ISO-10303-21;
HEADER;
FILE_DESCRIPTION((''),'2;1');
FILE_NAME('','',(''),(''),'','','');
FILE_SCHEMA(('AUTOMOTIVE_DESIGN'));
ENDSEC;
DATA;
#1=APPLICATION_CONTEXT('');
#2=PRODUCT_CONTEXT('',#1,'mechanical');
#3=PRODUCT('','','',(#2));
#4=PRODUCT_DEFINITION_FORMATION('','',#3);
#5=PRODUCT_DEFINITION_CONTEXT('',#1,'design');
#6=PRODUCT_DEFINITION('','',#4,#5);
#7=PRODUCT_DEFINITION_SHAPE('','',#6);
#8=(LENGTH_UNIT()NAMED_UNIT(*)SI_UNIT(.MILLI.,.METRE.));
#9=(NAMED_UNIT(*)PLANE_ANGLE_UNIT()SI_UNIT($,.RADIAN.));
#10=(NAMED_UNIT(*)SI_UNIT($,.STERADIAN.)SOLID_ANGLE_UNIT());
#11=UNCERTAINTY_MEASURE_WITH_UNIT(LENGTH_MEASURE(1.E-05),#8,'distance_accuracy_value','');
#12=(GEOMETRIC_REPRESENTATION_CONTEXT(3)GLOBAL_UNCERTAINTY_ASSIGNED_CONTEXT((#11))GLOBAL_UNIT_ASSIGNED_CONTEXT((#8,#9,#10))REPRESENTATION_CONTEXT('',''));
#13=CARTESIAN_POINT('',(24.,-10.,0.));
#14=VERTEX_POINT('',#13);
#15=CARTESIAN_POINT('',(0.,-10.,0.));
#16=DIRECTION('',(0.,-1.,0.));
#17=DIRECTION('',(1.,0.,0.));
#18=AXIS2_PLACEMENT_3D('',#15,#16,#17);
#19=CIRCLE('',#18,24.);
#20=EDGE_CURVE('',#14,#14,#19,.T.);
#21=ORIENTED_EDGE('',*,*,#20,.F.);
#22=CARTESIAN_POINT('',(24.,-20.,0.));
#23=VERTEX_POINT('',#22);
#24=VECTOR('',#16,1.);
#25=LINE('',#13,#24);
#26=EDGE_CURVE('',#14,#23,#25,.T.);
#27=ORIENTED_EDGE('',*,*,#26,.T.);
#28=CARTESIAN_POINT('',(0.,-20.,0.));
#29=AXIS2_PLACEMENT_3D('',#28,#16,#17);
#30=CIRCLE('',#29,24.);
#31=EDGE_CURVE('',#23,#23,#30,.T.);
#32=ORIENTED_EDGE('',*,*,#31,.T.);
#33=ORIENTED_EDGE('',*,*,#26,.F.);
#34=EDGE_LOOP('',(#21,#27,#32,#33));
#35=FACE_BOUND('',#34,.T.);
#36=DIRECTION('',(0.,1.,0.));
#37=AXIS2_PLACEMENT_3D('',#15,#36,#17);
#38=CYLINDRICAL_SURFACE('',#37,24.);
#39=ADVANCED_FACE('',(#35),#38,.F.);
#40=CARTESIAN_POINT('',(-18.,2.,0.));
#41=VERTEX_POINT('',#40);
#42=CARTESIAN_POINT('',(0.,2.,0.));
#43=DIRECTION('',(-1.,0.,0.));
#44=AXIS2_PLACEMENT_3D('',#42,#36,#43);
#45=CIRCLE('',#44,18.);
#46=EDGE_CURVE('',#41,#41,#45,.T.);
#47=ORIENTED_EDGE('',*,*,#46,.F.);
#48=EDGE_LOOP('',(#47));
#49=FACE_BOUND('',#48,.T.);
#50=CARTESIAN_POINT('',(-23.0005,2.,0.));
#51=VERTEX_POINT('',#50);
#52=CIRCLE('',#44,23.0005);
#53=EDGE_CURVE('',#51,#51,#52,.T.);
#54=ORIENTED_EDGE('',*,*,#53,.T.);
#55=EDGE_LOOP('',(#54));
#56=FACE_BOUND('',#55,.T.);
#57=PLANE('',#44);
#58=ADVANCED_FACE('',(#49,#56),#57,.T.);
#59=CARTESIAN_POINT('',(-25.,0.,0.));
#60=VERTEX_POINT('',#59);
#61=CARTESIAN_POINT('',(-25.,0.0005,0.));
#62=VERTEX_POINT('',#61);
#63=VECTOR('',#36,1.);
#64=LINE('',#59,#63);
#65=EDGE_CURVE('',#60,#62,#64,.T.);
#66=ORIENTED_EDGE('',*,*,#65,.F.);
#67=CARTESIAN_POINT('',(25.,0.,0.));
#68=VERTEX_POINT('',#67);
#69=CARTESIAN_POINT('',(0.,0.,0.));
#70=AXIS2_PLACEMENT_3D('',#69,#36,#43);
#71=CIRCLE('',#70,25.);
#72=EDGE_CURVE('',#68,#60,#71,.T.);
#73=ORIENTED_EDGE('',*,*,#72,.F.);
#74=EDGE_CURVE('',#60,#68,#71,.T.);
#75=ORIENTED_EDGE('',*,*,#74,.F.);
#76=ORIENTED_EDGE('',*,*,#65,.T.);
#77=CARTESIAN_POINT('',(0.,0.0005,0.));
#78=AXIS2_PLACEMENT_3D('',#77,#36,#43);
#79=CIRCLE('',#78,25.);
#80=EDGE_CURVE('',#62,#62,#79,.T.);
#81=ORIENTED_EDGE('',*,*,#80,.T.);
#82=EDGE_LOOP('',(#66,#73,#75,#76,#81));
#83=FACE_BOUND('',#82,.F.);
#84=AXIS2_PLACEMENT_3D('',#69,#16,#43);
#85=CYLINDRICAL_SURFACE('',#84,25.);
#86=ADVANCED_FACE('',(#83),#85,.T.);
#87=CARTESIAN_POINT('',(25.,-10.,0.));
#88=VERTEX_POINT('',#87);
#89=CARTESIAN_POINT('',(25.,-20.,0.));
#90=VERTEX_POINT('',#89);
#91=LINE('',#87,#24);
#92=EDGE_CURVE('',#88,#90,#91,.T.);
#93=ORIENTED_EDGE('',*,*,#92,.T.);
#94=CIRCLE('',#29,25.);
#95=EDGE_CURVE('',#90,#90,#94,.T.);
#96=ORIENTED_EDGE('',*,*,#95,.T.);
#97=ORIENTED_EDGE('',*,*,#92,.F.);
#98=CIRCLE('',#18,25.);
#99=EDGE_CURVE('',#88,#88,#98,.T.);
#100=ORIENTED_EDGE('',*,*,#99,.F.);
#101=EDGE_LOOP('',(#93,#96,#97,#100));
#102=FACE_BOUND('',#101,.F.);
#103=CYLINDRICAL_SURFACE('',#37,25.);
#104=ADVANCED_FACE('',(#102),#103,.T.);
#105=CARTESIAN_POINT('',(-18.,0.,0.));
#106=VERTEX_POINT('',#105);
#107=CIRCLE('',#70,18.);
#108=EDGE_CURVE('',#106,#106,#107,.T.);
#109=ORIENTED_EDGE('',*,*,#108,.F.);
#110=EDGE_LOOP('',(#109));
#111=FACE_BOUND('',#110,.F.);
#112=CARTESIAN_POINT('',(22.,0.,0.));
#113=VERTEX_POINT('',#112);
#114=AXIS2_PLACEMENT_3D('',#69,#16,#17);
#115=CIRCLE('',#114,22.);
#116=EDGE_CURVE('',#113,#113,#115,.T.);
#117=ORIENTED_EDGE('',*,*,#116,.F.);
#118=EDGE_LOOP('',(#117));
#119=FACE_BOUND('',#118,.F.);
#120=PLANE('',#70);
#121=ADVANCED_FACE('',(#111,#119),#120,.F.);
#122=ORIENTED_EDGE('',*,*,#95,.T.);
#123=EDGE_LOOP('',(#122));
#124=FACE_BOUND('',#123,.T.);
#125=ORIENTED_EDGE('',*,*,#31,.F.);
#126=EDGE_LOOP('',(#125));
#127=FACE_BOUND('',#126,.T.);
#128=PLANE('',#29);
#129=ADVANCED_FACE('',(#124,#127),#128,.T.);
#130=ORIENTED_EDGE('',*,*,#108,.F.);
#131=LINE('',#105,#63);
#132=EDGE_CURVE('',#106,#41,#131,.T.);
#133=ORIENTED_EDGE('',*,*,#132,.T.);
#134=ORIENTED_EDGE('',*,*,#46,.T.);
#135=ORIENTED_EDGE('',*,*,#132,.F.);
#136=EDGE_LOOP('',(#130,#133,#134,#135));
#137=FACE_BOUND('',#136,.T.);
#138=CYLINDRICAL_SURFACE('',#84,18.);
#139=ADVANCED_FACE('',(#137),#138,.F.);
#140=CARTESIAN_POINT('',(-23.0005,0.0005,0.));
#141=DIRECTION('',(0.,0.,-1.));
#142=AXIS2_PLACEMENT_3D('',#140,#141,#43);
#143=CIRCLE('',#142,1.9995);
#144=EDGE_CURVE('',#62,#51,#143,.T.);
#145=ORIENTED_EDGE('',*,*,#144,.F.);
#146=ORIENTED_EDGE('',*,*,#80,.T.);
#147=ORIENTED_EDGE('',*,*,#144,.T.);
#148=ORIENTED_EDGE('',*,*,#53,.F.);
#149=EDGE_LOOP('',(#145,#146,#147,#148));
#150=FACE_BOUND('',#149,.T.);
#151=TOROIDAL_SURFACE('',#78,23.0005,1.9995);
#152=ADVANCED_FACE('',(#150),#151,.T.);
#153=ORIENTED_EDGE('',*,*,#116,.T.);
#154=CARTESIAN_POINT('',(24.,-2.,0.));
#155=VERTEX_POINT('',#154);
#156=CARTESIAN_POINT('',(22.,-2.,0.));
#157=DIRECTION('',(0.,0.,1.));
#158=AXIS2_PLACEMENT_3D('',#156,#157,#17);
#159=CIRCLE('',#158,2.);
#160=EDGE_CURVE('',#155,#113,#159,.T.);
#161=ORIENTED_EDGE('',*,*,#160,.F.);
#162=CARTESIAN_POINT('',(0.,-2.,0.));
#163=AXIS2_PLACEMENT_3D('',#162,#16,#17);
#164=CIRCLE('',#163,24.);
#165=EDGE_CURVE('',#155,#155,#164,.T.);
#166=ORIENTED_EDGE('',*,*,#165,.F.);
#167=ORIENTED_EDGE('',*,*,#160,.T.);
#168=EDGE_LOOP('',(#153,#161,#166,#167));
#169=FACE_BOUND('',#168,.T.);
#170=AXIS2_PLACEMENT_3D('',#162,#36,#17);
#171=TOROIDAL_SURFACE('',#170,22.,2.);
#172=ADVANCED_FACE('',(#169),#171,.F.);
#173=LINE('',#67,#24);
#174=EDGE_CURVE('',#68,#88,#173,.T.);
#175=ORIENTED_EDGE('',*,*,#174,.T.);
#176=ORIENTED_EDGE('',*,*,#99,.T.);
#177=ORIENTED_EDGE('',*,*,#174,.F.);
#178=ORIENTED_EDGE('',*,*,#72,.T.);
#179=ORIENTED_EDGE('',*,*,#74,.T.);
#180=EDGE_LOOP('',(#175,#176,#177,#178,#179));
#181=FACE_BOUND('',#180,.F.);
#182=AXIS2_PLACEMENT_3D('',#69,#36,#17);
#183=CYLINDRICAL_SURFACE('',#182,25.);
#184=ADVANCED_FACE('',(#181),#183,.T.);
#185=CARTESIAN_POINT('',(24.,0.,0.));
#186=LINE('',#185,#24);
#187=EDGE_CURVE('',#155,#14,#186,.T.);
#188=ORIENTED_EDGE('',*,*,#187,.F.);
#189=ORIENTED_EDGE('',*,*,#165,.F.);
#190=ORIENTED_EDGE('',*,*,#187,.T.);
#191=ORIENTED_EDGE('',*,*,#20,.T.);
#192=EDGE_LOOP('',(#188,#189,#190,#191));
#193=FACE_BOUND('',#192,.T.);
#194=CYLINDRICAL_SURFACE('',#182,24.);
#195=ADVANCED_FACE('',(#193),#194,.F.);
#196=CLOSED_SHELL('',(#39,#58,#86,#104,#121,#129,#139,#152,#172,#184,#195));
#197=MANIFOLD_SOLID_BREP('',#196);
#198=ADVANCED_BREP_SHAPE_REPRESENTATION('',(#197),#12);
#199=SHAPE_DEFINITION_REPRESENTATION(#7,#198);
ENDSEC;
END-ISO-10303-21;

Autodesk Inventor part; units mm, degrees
ref_plane "YZ Plane" through (0, 0, 0) normal (1, 0, 0) x (0, 1, 0)
ref_plane "XZ Plane" through (0, 0, 0) normal (0, 1, 0) x (-1, 0, 0)
ref_plane "XY Plane" through (0, 0, 0) normal (0, 0, 1) x (1, 0, 0)
sketch "Sketch1" plane through (0, 0, 0) normal (0, 1, 0) x (-1, 0, 0)
  circle A0 centre (0, 0) radius 18
  circle A1 centre (0, 0) radius 25
  dimension "d0" = 36
  dimension "d1" = 50
extrude "Extrusion1" add sketch "Sketch1" along normal blind 2
sketch "Sketch2" plane through (0, 0, 0) normal (0, -1, 0) x (1, 0, 0)
  circle A0 centre (0, 0) radius 25 projected
  circle A1 centre (0, 0) radius 18 projected
  circle A2 centre (0, 0) radius 25
  circle A3 centre (0, 0) radius 24
  dimension "d4" = 48
extrude "Extrusion2" add sketch "Sketch2" along normal blind 10 contours A0
fillet "Fillet1" radius 2 1 edges at (-24, 0, 0)
fillet "Fillet2" radius 2 1 edges at (25, 2, 0)
sketch "Sketch3" plane through (0, -10, 0) normal (0, -1, 0) x (1, 0, 0)
  point P0 (0, 0)
sketch "Sketch4" plane through (0, 2, 0) normal (0, 1, 0) x (1, 0, 0)
  circle A0 centre (0, 0) radius 25 projected
  dimension "d9" = 50
sketch "Sketch5" plane through (0, -10, 0) normal (0, -1, 0) x (1, 0, 0)
  circle A0 centre (0, 0) radius 25 projected
  circle A1 centre (0, 0) radius 24 projected
extrude "Extrusion3" add sketch "Sketch5" along normal blind 10
properties part number "controler_02"
